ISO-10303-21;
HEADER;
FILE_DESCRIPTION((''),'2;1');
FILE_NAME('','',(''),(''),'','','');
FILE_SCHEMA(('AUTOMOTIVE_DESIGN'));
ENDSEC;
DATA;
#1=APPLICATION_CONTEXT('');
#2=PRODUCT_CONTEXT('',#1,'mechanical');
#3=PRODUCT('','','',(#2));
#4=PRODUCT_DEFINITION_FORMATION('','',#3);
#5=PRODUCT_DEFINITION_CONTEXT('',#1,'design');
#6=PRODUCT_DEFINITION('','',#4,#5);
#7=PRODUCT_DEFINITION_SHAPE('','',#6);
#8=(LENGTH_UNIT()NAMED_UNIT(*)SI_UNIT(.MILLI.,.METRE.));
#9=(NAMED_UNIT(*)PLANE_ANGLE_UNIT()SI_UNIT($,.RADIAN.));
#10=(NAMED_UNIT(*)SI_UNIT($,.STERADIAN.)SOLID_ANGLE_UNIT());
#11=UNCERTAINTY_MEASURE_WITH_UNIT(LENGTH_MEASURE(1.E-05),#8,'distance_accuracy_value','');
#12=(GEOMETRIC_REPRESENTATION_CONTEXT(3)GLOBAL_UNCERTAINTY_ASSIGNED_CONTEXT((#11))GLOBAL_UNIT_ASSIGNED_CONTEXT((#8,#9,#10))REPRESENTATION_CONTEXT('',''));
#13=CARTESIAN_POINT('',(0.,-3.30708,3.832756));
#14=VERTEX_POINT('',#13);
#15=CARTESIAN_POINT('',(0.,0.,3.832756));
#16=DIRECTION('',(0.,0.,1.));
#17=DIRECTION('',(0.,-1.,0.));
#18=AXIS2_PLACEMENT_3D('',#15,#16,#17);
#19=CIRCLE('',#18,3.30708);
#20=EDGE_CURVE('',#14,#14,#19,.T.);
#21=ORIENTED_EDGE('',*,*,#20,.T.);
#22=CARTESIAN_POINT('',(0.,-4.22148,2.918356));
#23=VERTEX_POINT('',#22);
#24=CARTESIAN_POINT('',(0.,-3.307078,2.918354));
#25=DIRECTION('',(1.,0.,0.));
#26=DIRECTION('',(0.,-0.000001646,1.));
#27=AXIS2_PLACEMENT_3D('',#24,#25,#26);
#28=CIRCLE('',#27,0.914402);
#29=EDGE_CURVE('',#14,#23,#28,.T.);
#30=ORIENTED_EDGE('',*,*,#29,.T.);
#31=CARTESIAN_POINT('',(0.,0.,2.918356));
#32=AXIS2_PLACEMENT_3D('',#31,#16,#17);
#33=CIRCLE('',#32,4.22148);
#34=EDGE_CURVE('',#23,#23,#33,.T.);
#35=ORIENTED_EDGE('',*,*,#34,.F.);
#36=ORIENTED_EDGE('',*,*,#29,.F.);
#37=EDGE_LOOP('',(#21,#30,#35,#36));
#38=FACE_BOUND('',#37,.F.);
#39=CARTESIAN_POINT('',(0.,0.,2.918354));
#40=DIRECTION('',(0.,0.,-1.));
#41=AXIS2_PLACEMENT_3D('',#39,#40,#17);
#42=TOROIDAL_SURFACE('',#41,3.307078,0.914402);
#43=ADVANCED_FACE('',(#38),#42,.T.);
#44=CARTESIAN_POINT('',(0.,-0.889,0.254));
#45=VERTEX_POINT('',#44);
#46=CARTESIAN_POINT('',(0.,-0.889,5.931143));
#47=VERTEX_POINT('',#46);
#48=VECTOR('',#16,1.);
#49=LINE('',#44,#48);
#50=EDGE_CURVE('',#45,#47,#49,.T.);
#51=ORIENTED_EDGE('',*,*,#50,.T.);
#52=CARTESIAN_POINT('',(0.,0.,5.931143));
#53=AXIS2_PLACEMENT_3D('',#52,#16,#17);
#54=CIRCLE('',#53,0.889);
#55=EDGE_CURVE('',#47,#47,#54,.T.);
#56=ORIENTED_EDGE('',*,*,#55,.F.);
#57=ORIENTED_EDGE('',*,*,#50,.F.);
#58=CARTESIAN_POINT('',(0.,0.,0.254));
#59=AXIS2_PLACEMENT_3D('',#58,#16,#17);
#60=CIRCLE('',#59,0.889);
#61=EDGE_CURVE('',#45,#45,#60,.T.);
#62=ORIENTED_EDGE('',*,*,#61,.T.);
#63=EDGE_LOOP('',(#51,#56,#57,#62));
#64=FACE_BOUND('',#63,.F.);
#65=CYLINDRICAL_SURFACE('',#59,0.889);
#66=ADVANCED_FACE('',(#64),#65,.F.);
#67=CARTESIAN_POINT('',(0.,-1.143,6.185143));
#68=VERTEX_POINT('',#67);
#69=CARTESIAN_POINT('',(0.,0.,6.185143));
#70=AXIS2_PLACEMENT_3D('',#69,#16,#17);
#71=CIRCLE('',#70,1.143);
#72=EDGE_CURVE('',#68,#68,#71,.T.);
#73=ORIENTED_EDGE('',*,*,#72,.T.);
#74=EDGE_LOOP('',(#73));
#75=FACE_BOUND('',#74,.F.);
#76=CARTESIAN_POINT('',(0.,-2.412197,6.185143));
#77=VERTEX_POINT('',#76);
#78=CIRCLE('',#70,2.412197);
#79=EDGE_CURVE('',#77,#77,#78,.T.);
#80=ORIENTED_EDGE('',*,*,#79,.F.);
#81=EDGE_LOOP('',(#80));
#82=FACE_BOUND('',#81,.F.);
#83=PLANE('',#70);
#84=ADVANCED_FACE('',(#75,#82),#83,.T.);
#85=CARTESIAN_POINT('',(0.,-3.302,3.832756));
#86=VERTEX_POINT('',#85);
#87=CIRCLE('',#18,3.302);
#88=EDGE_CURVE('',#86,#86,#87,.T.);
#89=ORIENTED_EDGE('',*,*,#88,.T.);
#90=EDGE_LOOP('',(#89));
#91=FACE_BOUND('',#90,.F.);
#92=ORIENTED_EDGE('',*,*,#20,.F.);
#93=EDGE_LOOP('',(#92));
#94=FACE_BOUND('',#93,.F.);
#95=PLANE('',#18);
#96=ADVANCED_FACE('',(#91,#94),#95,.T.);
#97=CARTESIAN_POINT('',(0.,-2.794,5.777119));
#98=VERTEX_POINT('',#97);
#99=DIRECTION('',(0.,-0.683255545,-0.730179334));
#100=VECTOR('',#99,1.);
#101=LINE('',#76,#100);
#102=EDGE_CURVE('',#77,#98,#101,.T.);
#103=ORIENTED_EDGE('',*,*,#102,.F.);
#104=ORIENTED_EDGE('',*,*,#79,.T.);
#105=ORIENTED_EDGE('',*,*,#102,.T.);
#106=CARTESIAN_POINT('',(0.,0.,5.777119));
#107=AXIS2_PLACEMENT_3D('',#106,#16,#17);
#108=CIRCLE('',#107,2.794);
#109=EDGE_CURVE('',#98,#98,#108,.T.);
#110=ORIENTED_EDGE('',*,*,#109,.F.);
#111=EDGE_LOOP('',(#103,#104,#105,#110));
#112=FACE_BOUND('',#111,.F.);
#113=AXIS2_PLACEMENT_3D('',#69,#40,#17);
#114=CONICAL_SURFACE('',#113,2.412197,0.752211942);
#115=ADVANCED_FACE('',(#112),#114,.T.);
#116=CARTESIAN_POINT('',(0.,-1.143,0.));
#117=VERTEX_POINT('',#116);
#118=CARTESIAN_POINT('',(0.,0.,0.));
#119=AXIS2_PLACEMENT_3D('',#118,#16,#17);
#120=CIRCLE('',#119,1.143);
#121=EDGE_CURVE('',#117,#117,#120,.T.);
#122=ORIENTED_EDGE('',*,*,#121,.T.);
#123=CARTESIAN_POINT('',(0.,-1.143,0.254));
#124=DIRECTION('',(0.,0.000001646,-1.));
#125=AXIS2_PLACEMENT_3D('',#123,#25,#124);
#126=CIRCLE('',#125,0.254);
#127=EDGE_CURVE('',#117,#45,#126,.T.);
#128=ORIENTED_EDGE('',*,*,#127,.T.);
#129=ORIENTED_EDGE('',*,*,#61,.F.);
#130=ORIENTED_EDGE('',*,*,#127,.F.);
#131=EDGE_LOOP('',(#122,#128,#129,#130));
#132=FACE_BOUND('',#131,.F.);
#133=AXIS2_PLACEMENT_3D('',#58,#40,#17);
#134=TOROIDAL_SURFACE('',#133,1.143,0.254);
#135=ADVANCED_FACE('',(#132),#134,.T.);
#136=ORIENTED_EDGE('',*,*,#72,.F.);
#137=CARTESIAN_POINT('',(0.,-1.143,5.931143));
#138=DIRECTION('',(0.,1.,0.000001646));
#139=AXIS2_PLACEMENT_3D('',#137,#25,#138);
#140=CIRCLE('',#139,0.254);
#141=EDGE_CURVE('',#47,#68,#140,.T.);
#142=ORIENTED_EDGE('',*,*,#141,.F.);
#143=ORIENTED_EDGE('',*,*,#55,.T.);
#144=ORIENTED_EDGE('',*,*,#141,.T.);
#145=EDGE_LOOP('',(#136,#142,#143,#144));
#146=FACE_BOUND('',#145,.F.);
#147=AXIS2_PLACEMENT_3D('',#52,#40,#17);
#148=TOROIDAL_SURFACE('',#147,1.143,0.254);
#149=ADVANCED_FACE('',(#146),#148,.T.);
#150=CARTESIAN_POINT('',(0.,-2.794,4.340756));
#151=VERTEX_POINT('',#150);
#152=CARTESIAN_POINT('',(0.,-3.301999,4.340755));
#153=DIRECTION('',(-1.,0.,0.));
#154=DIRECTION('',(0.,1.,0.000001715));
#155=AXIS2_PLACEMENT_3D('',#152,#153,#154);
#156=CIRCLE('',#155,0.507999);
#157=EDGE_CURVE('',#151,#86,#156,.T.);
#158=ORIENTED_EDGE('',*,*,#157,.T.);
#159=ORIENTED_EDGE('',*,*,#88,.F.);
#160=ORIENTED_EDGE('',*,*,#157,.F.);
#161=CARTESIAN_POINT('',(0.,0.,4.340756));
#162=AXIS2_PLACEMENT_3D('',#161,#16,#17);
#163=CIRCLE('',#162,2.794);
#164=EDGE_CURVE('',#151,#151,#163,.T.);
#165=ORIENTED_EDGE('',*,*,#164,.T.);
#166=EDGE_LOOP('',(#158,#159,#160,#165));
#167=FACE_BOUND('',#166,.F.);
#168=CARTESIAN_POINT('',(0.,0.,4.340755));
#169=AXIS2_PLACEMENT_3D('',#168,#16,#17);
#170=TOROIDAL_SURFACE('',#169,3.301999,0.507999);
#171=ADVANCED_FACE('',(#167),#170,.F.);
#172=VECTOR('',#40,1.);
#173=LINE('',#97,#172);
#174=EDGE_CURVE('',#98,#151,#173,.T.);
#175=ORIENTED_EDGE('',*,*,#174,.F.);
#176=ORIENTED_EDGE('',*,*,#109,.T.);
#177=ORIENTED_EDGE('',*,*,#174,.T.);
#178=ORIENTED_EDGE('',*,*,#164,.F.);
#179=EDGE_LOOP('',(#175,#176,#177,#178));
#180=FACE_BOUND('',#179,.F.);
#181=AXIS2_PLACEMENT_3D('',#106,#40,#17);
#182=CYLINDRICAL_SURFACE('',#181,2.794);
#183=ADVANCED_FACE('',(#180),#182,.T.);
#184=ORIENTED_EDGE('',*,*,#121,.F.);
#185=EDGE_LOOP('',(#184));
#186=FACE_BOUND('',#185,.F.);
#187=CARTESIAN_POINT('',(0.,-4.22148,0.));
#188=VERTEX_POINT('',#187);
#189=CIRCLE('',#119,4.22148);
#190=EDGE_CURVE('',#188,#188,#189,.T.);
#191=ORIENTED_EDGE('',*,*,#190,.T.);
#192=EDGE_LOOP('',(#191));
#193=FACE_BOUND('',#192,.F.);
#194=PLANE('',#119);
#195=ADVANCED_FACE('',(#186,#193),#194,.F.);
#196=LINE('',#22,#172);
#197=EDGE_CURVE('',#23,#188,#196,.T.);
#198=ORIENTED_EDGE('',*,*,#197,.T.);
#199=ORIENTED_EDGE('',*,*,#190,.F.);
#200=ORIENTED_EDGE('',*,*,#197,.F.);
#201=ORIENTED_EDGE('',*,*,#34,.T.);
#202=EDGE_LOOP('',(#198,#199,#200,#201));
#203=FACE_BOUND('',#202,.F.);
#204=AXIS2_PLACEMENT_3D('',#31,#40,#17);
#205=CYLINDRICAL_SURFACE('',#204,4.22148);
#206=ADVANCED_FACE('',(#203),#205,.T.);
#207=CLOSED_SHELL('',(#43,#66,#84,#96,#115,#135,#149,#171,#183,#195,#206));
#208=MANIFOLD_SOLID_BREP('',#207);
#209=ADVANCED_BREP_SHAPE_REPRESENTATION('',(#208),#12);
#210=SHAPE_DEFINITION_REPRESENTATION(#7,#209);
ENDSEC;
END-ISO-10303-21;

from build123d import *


with BuildPart() as f1:
    # F0 (on Right) → F1 (revolve)
    with BuildSketch(Plane.YZ):
        with BuildLine():
            ThreePointArc((-1.143, 0), (-0.963395, 0.074395), (-0.889, 0.254))
            Line((-0.889, 0.254), (-0.889, 5.931143))
            ThreePointArc((-0.889, 5.931143), (-0.963395, 6.110748), (-1.143, 6.185143))
            Line((-1.143, 6.185143), (-2.412197, 6.185143))
            Line((-2.412197, 6.185143), (-2.794, 5.777119))
            Line((-2.794, 5.777119), (-2.794, 4.340756))
            ThreePointArc((-2.794, 4.340756), (-2.94279, 3.981545), (-3.302, 3.832756))
            Line((-3.302, 3.832756), (-3.30708, 3.832756))
            ThreePointArc((-3.30708, 3.832756), (-3.953658, 3.564934), (-4.22148, 2.918356))
            Line((-4.22148, 2.918356), (-4.22148, 0))
            Line((-4.22148, 0), (-1.143, 0))
        make_face()
    revolve(axis=Axis((0, 0, 3.175), (0, 0, 1)))


solid = f1.part
